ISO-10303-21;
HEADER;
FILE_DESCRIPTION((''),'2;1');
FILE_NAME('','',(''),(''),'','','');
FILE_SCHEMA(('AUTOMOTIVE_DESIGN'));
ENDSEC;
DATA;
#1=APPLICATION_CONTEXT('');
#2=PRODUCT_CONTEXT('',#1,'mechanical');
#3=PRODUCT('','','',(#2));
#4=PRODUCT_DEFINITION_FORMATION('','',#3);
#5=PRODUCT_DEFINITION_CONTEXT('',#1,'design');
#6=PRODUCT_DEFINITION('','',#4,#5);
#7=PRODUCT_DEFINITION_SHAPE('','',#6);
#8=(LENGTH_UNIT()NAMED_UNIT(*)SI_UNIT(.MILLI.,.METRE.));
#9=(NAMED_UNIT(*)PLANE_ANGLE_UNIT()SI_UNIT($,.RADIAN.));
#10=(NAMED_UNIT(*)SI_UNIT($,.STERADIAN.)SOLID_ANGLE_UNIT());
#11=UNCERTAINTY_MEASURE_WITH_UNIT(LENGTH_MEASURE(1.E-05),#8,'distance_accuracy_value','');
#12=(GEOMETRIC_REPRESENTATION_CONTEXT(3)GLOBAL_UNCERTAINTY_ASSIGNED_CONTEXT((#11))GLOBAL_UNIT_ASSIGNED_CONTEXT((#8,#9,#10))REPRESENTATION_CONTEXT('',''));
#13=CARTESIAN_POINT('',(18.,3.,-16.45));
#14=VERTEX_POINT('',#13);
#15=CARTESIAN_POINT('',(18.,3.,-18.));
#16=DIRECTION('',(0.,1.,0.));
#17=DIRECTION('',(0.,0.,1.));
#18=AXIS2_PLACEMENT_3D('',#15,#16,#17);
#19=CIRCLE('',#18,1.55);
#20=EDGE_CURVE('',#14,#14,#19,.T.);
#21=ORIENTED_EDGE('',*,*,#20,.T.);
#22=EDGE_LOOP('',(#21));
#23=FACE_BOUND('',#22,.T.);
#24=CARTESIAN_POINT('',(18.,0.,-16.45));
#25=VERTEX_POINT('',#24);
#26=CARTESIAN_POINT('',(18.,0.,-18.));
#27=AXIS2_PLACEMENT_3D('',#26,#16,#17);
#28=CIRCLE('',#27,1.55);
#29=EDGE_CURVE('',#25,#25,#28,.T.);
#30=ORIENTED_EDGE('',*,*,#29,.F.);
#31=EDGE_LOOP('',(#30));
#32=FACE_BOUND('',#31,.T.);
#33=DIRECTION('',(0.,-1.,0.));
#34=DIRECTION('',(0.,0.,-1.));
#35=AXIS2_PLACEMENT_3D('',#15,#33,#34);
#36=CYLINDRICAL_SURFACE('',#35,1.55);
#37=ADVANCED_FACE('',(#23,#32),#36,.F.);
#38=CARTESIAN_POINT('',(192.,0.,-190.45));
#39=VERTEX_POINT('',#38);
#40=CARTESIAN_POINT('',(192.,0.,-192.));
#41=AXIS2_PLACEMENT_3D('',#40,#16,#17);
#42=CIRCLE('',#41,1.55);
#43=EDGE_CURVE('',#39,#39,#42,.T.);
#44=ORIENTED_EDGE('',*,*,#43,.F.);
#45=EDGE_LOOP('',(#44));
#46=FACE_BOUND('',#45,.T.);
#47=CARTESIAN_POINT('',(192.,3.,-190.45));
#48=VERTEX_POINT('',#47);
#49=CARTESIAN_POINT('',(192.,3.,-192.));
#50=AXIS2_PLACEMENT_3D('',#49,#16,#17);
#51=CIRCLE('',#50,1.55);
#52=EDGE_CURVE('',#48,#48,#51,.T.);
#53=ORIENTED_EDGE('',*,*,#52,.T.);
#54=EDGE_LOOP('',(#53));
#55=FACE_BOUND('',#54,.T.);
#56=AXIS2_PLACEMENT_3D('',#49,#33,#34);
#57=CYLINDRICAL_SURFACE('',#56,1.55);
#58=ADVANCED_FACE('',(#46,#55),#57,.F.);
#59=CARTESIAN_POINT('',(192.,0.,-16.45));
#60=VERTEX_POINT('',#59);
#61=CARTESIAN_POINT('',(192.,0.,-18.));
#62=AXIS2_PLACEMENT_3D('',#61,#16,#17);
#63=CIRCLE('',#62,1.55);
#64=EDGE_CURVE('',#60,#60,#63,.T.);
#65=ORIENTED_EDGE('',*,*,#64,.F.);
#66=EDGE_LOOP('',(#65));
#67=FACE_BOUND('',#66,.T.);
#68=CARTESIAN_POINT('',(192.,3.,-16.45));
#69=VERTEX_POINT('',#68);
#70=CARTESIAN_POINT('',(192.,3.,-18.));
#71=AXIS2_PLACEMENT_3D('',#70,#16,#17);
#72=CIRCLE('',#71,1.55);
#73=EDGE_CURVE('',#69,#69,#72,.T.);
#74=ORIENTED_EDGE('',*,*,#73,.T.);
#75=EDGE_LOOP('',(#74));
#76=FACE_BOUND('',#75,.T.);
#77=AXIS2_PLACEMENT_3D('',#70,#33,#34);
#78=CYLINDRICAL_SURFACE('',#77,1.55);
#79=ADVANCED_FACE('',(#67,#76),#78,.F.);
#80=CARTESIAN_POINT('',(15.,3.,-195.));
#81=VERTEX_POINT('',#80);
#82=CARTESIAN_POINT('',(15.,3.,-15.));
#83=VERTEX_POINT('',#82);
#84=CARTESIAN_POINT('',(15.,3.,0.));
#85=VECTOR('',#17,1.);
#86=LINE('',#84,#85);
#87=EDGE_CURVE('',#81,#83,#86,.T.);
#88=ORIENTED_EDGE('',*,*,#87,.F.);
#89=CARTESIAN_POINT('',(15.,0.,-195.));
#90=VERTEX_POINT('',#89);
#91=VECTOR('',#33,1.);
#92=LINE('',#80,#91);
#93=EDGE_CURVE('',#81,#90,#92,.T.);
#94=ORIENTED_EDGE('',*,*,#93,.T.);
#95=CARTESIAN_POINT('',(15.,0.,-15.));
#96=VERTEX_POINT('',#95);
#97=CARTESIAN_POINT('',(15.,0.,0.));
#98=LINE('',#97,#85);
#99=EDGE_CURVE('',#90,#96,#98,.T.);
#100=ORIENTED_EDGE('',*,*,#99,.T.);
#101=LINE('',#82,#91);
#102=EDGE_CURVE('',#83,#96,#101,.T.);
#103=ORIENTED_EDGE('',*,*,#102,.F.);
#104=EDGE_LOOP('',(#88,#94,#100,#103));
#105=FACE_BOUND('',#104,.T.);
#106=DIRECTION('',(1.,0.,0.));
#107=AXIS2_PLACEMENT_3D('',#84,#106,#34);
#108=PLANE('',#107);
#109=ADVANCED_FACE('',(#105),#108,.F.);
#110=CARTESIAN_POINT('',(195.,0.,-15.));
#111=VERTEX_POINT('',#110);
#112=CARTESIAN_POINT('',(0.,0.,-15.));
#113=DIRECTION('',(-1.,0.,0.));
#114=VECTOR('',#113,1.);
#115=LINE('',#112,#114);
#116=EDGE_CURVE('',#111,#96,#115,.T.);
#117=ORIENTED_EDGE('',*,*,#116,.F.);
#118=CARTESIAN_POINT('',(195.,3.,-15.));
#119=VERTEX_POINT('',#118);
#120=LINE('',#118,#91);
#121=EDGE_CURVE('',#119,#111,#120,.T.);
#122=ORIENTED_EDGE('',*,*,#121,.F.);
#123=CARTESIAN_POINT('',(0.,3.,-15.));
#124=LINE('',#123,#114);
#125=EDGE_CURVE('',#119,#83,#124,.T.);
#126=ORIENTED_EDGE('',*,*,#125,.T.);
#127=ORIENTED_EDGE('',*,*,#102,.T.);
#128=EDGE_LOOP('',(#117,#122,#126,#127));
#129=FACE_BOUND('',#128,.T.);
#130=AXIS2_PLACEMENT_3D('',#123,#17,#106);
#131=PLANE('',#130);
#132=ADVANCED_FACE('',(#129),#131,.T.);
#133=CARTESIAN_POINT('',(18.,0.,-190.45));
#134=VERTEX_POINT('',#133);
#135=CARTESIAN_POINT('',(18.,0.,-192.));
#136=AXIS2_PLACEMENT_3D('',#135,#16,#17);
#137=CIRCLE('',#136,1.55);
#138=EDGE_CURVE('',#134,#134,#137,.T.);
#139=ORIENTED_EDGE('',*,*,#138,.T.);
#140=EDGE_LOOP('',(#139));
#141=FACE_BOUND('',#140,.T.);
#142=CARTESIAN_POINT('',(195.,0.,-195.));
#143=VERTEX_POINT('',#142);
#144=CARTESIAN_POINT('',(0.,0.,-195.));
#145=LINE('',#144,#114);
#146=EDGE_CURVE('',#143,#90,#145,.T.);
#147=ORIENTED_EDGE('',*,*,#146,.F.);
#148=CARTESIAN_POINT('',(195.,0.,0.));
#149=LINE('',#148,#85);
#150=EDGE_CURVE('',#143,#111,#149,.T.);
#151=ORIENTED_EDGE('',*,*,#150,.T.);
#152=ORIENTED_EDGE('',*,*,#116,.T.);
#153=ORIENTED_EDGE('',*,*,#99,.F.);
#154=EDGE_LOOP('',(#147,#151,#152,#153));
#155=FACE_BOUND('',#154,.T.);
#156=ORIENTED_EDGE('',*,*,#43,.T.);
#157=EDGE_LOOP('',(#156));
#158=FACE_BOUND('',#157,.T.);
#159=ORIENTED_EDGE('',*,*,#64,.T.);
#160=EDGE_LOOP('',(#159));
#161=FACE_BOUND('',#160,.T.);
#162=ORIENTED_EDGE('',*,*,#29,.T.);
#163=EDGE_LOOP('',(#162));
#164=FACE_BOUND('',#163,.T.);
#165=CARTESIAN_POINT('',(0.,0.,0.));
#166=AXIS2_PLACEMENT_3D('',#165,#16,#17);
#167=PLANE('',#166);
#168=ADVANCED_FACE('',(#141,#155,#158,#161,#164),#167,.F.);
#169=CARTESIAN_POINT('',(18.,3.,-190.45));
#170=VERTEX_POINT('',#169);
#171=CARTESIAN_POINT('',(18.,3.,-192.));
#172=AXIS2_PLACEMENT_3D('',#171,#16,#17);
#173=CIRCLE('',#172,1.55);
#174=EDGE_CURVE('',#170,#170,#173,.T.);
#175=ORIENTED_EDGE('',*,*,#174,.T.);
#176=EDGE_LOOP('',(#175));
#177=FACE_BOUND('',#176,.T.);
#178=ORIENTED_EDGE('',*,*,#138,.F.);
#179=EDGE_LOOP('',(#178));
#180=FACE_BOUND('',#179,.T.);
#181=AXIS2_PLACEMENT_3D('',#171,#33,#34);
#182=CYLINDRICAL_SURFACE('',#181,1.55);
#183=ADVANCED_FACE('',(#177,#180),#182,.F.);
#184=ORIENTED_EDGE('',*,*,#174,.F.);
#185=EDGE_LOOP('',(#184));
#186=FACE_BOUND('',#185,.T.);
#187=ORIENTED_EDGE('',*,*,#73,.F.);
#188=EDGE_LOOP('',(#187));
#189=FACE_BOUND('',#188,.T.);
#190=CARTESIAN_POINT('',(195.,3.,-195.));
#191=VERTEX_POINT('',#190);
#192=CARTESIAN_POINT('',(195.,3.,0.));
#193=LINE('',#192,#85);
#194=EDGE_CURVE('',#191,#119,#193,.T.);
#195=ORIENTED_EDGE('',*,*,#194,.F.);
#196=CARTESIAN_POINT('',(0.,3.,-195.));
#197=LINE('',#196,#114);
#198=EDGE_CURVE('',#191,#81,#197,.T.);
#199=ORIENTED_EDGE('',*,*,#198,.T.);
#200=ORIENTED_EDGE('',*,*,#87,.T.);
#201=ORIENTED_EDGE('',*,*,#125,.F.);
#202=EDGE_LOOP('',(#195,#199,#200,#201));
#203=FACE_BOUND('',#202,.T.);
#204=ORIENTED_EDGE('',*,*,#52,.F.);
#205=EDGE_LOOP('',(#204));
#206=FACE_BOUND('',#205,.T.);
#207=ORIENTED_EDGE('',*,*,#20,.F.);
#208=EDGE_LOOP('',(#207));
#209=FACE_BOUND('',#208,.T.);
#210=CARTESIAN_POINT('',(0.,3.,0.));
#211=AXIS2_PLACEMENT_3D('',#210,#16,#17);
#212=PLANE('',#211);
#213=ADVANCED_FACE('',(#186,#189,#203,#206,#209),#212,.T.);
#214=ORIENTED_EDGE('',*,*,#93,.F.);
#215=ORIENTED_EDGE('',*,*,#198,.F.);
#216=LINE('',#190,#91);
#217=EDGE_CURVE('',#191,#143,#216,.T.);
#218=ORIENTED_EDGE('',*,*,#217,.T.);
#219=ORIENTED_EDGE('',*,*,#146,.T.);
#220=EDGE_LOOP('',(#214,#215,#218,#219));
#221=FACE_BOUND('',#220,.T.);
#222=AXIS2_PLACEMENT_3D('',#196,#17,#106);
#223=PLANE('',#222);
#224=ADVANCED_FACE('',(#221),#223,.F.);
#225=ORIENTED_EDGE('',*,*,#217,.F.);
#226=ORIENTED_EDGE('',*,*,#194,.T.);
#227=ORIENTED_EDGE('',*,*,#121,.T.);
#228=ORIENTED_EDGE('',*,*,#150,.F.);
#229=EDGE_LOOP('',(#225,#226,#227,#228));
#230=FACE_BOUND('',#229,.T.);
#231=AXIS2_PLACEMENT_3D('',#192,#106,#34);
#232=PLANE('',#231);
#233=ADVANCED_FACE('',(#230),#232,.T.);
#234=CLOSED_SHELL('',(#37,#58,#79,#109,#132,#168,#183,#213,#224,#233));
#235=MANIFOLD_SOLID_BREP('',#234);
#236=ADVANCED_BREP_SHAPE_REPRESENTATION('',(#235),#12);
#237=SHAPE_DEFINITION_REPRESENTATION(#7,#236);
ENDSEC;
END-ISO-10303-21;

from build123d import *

# Parameters (mm, degrees)
SKETCH_3_R      = 1.55
EXTRUDE_2_DEPTH = 3


with BuildPart() as part:
    # 草图3 → 凸台-拉伸2 (new body)
    with BuildSketch(Plane(origin=(0, 0, 0), x_dir=(1, 0, 0), z_dir=(0, 1, 0))):
        Polygon((195, 190), (195, 195), (192, 195), (190, 195), (175, 195), (35, 195), (20, 195), (18, 195), (15, 195), (15, 190), (15, 175), (15, 35), (15, 20), (15, 15), (18, 15), (20, 15), (175, 15), (190, 15), (192, 15), (195, 15), (195, 20), (195, 35), (195, 175), align=None)
        with Locations((18, 18)):
            Circle(SKETCH_3_R, mode=Mode.SUBTRACT)
        with Locations((192, 18)):
            Circle(SKETCH_3_R, mode=Mode.SUBTRACT)
        with Locations((18, 192)):
            Circle(SKETCH_3_R, mode=Mode.SUBTRACT)
        with Locations((192, 192)):
            Circle(SKETCH_3_R, mode=Mode.SUBTRACT)
    extrude(amount=EXTRUDE_2_DEPTH)


solid = part.part
